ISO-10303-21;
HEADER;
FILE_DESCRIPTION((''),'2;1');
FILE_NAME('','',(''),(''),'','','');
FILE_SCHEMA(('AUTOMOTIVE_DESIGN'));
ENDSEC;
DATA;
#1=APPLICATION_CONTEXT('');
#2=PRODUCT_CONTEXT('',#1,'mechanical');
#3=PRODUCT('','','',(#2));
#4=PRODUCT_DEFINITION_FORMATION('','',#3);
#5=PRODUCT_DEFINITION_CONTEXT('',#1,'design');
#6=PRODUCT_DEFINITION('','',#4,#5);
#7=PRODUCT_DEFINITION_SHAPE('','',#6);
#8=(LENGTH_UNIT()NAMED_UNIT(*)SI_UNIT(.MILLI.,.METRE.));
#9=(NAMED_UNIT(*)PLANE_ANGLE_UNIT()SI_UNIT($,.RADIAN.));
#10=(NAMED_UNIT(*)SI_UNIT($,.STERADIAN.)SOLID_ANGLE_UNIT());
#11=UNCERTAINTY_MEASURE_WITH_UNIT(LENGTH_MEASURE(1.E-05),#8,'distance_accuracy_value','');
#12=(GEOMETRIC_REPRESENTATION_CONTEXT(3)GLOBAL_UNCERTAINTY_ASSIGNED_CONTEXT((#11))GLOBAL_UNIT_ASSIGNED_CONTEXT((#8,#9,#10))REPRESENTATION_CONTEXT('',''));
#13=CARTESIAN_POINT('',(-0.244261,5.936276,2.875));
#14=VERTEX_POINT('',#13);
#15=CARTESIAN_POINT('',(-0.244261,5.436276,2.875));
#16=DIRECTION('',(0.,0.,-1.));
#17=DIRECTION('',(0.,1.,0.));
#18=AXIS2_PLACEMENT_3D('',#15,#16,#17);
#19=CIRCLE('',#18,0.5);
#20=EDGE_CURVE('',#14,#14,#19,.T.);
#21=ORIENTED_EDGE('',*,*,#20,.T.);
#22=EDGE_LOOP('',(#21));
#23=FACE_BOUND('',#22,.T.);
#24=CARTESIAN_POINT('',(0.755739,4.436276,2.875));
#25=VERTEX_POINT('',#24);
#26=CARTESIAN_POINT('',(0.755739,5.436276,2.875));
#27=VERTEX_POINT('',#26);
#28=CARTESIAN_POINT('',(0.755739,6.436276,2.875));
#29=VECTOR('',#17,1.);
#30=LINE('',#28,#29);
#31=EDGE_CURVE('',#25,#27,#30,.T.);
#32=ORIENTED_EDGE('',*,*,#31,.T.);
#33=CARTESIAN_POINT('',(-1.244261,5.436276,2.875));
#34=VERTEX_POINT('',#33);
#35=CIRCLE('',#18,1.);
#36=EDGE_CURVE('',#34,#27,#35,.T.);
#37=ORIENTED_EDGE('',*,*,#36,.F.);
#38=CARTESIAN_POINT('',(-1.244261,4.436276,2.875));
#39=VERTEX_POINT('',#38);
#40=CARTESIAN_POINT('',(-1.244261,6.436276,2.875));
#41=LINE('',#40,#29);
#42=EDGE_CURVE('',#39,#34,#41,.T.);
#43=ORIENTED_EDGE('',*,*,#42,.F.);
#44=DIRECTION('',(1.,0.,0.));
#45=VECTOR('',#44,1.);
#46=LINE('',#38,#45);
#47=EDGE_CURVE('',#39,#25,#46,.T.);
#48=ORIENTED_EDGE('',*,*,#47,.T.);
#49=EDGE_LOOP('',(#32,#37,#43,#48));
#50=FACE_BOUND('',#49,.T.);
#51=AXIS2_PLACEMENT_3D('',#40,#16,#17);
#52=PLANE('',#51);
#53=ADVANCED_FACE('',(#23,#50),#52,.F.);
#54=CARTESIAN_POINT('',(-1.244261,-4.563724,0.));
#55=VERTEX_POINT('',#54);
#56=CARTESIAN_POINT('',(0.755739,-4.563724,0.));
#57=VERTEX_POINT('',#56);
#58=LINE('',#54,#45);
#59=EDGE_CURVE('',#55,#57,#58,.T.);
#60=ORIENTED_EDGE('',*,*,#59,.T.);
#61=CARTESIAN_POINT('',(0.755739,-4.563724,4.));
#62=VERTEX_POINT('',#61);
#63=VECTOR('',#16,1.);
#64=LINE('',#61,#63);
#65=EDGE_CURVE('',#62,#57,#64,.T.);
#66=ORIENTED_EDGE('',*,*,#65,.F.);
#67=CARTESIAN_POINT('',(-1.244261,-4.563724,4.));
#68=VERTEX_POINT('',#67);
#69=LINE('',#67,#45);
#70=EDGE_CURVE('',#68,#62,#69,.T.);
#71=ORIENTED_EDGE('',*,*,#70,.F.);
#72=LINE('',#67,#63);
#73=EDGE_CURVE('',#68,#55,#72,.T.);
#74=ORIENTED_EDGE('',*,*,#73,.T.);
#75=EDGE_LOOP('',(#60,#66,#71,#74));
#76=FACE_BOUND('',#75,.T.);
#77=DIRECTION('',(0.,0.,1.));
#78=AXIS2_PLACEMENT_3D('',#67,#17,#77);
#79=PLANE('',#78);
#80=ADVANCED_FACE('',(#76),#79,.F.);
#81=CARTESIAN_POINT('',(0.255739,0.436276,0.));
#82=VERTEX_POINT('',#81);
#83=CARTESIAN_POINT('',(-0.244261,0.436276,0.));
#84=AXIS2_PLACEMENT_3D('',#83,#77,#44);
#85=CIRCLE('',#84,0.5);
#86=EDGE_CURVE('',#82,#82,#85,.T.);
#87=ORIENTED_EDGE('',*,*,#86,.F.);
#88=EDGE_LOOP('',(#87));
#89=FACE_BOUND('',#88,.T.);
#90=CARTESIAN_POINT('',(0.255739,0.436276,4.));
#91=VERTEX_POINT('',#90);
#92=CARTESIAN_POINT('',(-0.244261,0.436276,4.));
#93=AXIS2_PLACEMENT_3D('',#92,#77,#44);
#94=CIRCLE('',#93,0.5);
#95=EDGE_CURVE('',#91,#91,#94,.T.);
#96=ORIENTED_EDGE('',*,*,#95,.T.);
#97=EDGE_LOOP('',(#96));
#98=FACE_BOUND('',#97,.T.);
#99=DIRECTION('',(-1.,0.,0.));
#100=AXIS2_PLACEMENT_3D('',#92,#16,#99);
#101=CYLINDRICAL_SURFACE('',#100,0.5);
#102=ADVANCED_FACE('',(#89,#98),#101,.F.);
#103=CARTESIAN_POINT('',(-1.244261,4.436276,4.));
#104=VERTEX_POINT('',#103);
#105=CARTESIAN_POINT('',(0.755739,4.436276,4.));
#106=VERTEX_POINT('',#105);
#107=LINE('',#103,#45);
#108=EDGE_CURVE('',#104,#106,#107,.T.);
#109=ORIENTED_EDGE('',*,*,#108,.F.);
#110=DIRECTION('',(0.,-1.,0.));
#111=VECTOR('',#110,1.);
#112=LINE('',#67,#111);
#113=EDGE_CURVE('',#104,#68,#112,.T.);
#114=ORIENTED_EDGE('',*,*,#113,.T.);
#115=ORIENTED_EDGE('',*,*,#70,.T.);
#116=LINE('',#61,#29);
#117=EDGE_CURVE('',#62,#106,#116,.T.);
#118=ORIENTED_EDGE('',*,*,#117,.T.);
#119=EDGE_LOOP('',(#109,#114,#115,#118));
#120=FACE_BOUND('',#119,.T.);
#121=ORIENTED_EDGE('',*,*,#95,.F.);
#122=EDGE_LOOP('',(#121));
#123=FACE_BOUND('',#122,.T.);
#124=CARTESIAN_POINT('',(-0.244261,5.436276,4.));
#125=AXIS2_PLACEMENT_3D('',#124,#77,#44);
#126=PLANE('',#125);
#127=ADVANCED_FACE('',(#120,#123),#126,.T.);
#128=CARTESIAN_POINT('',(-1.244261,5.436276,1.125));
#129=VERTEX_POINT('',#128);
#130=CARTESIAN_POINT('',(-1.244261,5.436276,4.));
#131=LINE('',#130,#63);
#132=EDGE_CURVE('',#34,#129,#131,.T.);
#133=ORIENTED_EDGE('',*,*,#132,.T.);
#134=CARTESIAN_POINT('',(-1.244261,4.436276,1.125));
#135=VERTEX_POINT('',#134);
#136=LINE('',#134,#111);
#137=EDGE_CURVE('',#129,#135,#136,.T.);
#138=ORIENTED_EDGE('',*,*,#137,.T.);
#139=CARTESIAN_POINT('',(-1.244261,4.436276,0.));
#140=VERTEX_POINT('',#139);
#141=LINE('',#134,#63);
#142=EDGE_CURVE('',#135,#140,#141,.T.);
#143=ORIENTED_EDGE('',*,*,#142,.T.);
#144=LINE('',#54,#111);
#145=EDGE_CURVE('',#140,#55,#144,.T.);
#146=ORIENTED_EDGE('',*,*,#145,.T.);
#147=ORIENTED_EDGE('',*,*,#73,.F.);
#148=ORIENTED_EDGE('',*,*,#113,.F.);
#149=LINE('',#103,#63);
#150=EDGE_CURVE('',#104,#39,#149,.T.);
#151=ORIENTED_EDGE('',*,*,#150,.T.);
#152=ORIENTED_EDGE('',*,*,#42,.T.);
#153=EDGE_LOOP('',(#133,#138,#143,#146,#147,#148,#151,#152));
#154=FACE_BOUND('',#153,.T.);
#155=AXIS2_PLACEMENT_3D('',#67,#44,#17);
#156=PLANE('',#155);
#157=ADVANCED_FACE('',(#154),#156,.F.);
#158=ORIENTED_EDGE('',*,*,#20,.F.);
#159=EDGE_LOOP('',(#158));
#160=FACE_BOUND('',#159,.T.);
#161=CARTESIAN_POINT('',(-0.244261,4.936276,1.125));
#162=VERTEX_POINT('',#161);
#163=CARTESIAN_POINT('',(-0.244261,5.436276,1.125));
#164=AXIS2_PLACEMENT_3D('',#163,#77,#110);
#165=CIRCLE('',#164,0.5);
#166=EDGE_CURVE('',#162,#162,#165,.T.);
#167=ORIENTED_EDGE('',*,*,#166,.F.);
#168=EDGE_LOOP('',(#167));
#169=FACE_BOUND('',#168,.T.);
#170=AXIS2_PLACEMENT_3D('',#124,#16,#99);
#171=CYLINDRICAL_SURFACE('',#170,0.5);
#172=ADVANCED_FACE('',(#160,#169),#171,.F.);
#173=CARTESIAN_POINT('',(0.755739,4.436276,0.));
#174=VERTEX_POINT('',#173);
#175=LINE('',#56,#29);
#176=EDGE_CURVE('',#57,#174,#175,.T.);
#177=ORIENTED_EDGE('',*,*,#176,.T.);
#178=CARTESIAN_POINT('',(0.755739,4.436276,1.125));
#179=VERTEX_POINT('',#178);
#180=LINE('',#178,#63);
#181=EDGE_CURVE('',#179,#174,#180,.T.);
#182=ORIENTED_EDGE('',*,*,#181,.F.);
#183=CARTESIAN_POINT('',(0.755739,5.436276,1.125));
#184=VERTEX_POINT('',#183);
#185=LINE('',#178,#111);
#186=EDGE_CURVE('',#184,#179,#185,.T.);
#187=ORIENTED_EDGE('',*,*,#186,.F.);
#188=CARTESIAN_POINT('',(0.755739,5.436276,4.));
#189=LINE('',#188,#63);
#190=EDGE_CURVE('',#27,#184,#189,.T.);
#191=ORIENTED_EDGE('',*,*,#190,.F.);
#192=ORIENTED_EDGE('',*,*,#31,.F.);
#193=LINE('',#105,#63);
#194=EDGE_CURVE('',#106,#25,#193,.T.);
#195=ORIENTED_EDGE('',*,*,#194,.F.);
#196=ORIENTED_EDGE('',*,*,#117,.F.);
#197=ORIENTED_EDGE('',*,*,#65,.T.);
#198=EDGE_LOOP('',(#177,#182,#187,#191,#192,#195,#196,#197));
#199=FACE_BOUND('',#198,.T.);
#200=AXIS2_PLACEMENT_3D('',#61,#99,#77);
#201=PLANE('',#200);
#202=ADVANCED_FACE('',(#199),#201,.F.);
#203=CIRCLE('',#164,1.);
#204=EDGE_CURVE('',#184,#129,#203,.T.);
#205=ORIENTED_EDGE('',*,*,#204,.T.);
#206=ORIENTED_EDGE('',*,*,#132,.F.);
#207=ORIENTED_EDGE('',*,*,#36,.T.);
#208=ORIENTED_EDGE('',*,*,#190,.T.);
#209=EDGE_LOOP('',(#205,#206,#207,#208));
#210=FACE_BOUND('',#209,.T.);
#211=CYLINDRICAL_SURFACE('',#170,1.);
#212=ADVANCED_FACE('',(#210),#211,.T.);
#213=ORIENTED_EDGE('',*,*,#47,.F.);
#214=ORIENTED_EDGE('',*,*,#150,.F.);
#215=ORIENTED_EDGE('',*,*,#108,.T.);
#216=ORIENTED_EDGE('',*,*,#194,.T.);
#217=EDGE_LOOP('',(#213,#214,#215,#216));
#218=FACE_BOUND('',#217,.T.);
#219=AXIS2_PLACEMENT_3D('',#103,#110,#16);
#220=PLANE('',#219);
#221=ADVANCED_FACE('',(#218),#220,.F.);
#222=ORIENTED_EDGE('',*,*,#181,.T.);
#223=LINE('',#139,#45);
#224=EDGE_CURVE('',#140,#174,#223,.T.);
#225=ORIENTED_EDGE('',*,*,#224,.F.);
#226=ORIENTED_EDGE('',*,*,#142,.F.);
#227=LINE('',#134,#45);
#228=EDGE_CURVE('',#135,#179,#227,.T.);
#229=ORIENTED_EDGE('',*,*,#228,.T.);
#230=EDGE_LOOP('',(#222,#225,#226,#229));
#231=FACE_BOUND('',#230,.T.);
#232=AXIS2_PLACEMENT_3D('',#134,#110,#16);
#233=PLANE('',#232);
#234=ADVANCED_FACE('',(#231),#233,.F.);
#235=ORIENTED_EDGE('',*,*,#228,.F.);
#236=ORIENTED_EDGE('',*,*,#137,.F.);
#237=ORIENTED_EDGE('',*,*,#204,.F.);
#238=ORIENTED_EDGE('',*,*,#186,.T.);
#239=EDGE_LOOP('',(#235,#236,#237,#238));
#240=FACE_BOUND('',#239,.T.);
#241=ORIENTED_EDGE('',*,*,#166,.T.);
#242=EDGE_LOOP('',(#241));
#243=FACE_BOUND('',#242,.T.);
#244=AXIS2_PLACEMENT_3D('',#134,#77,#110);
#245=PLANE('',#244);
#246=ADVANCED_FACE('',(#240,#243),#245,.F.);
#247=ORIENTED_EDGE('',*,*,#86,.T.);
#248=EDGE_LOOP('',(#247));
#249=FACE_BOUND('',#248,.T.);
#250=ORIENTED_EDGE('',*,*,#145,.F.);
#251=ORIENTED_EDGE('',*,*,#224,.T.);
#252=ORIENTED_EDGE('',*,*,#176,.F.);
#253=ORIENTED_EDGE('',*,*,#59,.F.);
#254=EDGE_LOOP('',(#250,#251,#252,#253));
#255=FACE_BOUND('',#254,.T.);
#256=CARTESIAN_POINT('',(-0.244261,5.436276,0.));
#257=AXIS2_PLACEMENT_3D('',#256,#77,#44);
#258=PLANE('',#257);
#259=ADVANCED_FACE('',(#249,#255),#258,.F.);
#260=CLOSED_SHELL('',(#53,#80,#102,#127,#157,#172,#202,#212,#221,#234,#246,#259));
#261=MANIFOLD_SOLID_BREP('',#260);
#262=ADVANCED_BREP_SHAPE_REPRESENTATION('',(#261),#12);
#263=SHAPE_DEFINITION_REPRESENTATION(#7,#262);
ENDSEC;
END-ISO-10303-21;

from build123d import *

# Parameters (mm, degrees)
SKETCH_1_R               = 0.5
EXTRUDE_1_DEPTH          = 4
CUT_EXTRUDE_2_DEPTH      = 8.679442038
CUT_EXTRUDE_2_DEPTH_BACK = 8.679442038
SKETCH_2_W               = 1.125
SKETCH_2_H               = 2


with BuildPart() as part:
    # 草图1 → 凸台-拉伸1 (new body)
    with BuildSketch(Plane.XY):
        with BuildLine():
            Line((-1.244261308, -4.563724383), (-1.244261308, 5.436275617))
            ThreePointArc((-1.244261308, 5.436275617), (-0.244261308, 6.436275617), (0.755738692, 5.436275617))
            Line((0.755738692, 5.436275617), (0.755738692, -4.563724383))
            Line((0.755738692, -4.563724383), (-1.244261308, -4.563724383))
        make_face()
        with Locations((-0.244261308, 5.436275617)):
            Circle(SKETCH_1_R, mode=Mode.SUBTRACT)
        with Locations((-0.244261308, 0.436275617)):
            Circle(SKETCH_1_R, mode=Mode.SUBTRACT)
    extrude(amount=EXTRUDE_1_DEPTH)

    # 草图2 → 切除-拉伸2 (cut, two sides: drawn at the far end of the back side and taken through both)
    with BuildSketch(Plane(origin=(0, 0, 0), x_dir=(0, 0, -1), z_dir=(1, 0, 0)).offset(-CUT_EXTRUDE_2_DEPTH_BACK)):
        with Locations((-3.4375, 5.436275617)):
            Rectangle(SKETCH_2_W, SKETCH_2_H)
        with Locations((-0.5625, 5.436275617)):
            Rectangle(SKETCH_2_W, SKETCH_2_H)
    extrude(amount=CUT_EXTRUDE_2_DEPTH + CUT_EXTRUDE_2_DEPTH_BACK, mode=Mode.SUBTRACT)


solid = part.part
